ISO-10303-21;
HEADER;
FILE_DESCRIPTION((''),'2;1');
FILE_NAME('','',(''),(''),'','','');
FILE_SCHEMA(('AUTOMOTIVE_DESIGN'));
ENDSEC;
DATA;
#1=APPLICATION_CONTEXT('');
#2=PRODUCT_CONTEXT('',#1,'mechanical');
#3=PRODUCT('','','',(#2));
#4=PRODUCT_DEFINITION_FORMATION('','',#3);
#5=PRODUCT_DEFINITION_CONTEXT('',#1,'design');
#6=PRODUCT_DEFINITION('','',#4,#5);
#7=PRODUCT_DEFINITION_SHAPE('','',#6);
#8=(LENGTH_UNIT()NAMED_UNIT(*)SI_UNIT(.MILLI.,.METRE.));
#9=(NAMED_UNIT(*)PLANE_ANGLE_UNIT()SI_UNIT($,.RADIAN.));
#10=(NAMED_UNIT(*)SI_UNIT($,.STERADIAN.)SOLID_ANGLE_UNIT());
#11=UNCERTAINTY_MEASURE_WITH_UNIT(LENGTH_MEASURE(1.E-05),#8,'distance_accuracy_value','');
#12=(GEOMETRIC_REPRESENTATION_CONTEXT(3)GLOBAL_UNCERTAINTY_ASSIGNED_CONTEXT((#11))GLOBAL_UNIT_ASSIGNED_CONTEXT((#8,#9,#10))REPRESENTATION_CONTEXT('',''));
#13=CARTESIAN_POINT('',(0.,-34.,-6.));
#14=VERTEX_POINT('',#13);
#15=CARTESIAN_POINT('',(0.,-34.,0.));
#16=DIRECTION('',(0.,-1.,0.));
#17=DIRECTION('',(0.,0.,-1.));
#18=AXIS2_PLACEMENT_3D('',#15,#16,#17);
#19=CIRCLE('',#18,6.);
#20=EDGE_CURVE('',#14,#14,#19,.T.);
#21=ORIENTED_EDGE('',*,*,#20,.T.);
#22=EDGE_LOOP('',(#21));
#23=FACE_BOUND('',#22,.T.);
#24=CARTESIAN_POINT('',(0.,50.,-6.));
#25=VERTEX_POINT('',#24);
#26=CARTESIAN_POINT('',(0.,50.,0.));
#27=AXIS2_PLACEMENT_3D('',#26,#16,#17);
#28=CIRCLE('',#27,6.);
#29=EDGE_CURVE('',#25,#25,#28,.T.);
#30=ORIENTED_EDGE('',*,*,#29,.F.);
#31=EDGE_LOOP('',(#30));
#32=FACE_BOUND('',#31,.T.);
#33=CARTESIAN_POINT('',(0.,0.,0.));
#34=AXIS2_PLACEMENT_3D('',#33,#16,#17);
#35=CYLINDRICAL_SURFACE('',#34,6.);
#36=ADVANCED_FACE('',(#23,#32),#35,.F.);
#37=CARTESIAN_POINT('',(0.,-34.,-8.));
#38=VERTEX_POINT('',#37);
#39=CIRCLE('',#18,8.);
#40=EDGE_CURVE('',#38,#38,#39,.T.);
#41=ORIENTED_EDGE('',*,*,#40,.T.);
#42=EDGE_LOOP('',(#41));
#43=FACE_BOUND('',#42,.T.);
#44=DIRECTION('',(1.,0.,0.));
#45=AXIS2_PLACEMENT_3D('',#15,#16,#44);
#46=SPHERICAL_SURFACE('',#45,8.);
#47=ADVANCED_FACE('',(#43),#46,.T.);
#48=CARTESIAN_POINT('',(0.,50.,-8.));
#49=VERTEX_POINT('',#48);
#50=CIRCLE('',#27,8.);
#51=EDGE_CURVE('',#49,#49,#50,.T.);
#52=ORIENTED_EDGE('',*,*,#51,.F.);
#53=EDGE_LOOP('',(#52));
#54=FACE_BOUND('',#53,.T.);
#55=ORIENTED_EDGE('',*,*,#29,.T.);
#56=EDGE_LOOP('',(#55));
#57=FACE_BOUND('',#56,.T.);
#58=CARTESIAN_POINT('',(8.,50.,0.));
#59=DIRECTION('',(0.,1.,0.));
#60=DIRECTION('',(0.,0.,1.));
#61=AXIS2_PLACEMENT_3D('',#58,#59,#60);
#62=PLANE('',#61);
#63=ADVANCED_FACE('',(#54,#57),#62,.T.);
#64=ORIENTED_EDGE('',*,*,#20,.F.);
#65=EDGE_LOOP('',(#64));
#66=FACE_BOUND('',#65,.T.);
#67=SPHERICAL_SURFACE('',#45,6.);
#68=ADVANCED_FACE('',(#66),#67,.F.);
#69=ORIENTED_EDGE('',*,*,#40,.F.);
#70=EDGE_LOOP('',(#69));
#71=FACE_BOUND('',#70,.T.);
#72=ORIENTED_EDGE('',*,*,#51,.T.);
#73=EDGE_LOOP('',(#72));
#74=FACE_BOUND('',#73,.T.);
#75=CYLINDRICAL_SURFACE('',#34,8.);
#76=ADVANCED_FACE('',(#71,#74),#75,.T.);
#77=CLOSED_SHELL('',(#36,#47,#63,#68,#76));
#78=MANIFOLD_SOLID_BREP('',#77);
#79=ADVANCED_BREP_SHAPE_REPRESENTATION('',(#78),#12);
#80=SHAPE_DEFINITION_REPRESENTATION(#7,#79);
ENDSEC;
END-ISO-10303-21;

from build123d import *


with BuildPart() as part:
    # Croquis1 → Revolución1 (revolve)
    with BuildSketch(Plane.XY):
        with BuildLine():
            Line((8, -34), (8, 50))
            Line((8, 50), (6, 50))
            Line((6, 50), (6, -34))
            ThreePointArc((6, -34), (4.242640687, -38.242640687), (0, -40))
            Line((0, -40), (0, -42))
            ThreePointArc((0, -42), (5.656854249, -39.656854249), (8, -34))
        make_face()
    revolve(axis=Axis((0, 0, 0), (0, 1, 0)))


solid = part.part
